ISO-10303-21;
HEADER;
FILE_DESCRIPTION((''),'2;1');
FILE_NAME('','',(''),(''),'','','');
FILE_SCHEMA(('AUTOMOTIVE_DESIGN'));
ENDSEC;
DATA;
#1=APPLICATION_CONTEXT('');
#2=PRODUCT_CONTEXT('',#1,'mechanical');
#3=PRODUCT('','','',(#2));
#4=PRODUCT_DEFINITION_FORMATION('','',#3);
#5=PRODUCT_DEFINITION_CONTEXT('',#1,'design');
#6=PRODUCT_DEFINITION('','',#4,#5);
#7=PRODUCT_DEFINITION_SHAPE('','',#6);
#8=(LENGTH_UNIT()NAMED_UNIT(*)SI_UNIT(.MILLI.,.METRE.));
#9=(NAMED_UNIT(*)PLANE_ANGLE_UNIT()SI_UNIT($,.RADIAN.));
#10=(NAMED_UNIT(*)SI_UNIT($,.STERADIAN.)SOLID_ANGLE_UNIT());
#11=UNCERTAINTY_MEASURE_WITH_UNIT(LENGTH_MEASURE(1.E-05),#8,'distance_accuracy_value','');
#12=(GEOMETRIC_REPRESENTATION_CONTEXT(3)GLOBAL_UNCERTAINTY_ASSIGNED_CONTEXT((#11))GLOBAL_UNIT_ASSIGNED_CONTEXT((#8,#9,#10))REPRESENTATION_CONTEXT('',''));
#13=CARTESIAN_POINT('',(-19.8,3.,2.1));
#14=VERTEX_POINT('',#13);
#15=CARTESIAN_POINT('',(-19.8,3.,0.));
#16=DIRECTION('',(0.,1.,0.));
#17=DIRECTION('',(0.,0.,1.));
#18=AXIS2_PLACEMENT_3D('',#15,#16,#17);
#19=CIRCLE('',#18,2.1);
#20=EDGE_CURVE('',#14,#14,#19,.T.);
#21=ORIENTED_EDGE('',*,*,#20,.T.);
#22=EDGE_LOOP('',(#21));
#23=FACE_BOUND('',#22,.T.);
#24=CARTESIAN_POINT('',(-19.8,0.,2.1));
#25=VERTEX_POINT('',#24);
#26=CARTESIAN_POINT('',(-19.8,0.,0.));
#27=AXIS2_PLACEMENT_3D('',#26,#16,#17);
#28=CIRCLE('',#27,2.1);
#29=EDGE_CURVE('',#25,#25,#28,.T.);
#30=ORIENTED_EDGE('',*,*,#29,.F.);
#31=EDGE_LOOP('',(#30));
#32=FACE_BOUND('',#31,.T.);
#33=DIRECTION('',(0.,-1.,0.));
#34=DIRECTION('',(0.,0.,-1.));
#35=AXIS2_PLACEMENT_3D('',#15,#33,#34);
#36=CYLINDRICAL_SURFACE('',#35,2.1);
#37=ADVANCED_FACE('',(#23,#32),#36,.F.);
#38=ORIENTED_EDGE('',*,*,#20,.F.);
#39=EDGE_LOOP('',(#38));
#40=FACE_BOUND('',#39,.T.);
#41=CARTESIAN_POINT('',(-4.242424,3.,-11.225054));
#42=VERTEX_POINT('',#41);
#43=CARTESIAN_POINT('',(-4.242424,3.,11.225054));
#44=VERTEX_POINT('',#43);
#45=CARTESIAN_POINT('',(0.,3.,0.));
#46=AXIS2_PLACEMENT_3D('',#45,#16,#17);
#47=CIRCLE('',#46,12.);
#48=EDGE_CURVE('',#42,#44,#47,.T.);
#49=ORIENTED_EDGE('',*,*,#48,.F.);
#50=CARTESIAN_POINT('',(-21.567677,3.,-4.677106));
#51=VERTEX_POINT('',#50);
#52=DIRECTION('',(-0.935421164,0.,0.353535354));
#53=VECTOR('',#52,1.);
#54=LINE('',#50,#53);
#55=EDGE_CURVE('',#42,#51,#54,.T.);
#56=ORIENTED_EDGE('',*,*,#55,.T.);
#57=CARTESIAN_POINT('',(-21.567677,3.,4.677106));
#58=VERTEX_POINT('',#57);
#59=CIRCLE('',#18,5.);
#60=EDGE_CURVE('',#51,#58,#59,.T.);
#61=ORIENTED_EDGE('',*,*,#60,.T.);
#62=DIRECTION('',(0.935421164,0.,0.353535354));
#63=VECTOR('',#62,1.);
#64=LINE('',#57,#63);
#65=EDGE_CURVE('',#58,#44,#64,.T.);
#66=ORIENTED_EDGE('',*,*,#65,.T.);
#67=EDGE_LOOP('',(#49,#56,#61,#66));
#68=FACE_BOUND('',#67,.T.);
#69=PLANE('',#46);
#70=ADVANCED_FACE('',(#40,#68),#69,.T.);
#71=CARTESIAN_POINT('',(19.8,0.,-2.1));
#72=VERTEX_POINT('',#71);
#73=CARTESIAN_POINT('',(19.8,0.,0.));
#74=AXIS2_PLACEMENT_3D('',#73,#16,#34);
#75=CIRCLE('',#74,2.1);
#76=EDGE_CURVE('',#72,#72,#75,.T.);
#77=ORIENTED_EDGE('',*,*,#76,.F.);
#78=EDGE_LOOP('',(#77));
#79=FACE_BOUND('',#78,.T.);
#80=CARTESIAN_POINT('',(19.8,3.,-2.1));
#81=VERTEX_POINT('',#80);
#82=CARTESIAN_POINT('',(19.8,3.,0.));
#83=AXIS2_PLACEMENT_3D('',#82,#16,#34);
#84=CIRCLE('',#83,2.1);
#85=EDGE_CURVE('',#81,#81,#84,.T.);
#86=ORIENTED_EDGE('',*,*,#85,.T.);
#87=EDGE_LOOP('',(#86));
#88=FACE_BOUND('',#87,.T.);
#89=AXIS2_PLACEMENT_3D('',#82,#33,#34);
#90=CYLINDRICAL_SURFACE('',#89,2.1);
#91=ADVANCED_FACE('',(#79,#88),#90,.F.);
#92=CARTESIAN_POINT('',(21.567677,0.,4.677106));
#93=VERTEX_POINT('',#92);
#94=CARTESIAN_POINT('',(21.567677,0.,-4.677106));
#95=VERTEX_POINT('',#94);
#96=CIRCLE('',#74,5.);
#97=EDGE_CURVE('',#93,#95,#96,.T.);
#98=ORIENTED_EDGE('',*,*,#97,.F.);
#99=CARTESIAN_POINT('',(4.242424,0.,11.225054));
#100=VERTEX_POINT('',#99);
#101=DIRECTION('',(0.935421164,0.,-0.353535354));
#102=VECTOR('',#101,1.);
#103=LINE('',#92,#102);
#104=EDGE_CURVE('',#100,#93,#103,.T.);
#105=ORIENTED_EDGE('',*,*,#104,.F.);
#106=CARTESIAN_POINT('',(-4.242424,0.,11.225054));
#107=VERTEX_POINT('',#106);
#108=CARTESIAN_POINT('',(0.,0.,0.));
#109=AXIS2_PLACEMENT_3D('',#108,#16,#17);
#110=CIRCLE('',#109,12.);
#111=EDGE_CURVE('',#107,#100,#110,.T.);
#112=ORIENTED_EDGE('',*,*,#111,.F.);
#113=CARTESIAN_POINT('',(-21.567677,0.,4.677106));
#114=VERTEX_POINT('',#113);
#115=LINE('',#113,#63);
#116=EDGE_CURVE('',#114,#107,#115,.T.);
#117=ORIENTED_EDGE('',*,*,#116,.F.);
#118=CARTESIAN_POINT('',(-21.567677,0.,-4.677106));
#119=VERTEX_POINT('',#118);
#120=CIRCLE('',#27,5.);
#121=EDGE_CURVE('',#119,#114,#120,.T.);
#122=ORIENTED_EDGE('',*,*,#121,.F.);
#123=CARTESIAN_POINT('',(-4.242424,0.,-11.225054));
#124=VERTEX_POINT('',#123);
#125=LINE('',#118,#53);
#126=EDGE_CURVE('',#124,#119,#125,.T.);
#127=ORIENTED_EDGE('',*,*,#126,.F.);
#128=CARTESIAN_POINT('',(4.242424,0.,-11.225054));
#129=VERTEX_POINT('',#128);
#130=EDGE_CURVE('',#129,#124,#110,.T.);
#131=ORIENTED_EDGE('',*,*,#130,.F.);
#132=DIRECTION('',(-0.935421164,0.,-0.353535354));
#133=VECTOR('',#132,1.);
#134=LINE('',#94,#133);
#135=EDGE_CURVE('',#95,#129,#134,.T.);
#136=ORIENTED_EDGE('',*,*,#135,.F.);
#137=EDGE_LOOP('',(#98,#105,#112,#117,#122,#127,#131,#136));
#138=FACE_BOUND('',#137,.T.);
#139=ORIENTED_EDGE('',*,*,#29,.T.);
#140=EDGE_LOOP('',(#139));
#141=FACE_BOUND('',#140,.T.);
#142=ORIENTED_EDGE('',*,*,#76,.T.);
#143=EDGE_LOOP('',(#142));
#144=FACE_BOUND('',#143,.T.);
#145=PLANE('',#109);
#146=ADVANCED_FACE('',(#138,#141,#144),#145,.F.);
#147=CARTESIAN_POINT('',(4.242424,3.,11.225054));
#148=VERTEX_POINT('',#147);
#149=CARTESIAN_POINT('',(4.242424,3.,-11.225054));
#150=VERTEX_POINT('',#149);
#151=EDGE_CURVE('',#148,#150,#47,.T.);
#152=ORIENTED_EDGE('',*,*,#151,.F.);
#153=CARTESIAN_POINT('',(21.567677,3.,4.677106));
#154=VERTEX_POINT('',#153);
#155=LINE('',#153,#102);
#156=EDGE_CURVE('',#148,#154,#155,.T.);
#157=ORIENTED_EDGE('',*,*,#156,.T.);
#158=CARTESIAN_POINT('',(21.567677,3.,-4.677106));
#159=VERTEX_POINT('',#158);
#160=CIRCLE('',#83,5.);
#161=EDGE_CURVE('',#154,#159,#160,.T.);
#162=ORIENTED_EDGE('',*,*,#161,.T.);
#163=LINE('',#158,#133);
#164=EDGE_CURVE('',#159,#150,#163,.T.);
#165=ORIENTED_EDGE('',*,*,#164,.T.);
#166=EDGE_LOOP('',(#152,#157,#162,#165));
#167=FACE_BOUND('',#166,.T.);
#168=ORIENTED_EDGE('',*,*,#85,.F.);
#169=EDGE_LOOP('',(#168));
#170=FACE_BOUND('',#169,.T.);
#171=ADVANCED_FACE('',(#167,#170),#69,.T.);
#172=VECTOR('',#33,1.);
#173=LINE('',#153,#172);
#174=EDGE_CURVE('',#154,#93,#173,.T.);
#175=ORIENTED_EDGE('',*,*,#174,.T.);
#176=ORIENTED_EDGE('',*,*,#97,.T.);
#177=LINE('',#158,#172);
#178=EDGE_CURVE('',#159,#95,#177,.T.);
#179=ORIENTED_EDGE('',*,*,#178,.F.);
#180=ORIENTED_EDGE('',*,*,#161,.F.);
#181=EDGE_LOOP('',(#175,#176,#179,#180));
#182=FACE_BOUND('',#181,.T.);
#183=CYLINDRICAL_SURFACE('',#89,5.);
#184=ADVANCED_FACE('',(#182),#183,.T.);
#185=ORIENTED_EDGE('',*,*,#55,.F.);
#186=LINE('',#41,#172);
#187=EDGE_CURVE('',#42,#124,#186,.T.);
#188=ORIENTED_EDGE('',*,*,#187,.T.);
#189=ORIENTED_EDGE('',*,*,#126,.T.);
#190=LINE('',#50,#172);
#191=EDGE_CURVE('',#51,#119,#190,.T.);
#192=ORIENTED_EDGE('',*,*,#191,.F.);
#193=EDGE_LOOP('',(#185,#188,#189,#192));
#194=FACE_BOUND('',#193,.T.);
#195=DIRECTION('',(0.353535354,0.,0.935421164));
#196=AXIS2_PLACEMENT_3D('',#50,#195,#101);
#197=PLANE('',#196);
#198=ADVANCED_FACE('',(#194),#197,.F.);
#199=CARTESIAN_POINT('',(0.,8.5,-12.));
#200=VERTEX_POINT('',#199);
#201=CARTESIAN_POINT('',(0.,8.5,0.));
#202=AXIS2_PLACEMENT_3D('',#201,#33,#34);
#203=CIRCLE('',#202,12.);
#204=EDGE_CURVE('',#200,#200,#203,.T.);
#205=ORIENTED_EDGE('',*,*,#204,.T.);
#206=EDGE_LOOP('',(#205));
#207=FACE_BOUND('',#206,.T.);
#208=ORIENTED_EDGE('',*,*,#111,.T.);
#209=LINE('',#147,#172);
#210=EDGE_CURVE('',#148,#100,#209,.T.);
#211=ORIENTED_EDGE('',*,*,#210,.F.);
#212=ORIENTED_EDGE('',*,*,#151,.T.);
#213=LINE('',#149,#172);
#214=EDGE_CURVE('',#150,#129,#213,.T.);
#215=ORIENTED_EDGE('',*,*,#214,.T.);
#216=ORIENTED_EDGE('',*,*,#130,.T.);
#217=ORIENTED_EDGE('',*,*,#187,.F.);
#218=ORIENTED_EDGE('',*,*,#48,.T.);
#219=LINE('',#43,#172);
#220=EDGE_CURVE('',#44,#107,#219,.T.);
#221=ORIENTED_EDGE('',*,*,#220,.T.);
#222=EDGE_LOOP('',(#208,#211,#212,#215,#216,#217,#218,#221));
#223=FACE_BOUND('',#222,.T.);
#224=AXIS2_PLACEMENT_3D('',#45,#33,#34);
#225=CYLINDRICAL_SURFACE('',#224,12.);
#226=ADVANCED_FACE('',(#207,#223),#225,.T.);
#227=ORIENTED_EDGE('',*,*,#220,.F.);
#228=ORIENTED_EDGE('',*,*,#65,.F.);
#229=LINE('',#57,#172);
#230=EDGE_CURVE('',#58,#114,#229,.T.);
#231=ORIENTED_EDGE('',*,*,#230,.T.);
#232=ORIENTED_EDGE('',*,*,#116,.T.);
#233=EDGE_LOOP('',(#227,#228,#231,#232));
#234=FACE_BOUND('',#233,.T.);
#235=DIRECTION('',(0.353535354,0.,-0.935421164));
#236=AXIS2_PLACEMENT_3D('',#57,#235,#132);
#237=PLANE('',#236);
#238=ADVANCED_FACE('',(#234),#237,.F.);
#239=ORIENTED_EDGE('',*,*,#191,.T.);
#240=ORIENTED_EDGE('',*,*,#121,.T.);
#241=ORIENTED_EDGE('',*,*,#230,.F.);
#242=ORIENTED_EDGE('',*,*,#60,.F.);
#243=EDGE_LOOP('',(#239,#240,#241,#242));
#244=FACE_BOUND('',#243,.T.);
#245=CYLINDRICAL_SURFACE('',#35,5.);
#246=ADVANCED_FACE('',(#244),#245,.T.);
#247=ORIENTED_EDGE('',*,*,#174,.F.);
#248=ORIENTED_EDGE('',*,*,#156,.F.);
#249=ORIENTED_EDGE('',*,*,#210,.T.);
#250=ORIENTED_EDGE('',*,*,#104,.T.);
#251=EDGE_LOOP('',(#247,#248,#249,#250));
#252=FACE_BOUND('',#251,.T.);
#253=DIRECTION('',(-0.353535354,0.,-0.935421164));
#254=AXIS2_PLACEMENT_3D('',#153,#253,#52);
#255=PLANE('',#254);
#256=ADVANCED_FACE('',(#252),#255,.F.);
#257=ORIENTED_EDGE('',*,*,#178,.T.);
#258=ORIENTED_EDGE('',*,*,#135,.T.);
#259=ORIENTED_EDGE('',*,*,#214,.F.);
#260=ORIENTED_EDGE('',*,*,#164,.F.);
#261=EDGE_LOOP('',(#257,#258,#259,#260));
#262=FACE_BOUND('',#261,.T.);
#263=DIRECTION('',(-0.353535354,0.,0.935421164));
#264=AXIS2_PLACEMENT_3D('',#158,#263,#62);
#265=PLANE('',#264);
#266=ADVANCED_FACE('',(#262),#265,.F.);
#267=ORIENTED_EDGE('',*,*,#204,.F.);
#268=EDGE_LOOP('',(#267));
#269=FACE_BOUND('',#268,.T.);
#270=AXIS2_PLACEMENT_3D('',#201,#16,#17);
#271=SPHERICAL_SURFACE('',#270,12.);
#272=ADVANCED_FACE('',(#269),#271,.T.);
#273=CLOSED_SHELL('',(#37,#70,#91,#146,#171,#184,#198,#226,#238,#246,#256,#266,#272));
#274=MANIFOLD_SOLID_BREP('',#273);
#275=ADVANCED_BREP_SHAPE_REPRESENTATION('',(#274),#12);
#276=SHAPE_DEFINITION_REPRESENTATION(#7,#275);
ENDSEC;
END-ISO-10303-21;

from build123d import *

# Parameters (mm, degrees)
SKETCH1_R           = 2.1
BOSS_EXTRUDE1_DEPTH = 3
SKETCH2_R           = 12
BOSS_EXTRUDE3_DEPTH = 17.5
FILLET1_R           = 12


with BuildPart() as part:
    # Sketch1 → Boss-Extrude1 (new body)
    with BuildSketch(Plane(origin=(0, 0, 0), x_dir=(1, 0, 0), z_dir=(0, 1, 0))):
        with BuildLine():
            Line((-21.567676768, 4.677105819), (-4.242424242, 11.225053966))
            ThreePointArc((-4.242424242, 11.225053966), (0, 12), (4.242424242, 11.225053966))
            Line((4.242424242, 11.225053966), (21.567676768, 4.677105819))
            ThreePointArc((21.567676768, 4.677105819), (24.8, 0), (21.567676768, -4.677105819))
            Line((21.567676768, -4.677105819), (4.242424242, -11.225053966))
            ThreePointArc((4.242424242, -11.225053966), (0, -12), (-4.242424242, -11.225053966))
            Line((-4.242424242, -11.225053966), (-21.567676768, -4.677105819))
            ThreePointArc((-21.567676768, -4.677105819), (-24.8, 0), (-21.567676768, 4.677105819))
        make_face()
        with Locations(Location((-19.8, 0, 0), (0, 0, 270))):
            Circle(SKETCH1_R, mode=Mode.SUBTRACT)
        with Locations(Location((19.8, 0, 0), (0, 0, 90))):
            Circle(SKETCH1_R, mode=Mode.SUBTRACT)
    extrude(amount=BOSS_EXTRUDE1_DEPTH)

    # Sketch2 → Boss-Extrude3 (add)
    with BuildSketch(Plane(origin=(0, 3, 0), x_dir=(1, 0, 0), z_dir=(0, 1, 0))):
        with Locations(Location((0, 0, 0), (0, 0, 69.296293743))):
            Circle(SKETCH2_R)
    extrude(amount=BOSS_EXTRUDE3_DEPTH)

    # Fillet1
    fillet1_edges = [part.edges().sort_by_distance(p)[0] for p in [
        (-4.242424242, 20.5, 11.225053966),
    ]]
    fillet(fillet1_edges, radius=FILLET1_R)


solid = part.part
